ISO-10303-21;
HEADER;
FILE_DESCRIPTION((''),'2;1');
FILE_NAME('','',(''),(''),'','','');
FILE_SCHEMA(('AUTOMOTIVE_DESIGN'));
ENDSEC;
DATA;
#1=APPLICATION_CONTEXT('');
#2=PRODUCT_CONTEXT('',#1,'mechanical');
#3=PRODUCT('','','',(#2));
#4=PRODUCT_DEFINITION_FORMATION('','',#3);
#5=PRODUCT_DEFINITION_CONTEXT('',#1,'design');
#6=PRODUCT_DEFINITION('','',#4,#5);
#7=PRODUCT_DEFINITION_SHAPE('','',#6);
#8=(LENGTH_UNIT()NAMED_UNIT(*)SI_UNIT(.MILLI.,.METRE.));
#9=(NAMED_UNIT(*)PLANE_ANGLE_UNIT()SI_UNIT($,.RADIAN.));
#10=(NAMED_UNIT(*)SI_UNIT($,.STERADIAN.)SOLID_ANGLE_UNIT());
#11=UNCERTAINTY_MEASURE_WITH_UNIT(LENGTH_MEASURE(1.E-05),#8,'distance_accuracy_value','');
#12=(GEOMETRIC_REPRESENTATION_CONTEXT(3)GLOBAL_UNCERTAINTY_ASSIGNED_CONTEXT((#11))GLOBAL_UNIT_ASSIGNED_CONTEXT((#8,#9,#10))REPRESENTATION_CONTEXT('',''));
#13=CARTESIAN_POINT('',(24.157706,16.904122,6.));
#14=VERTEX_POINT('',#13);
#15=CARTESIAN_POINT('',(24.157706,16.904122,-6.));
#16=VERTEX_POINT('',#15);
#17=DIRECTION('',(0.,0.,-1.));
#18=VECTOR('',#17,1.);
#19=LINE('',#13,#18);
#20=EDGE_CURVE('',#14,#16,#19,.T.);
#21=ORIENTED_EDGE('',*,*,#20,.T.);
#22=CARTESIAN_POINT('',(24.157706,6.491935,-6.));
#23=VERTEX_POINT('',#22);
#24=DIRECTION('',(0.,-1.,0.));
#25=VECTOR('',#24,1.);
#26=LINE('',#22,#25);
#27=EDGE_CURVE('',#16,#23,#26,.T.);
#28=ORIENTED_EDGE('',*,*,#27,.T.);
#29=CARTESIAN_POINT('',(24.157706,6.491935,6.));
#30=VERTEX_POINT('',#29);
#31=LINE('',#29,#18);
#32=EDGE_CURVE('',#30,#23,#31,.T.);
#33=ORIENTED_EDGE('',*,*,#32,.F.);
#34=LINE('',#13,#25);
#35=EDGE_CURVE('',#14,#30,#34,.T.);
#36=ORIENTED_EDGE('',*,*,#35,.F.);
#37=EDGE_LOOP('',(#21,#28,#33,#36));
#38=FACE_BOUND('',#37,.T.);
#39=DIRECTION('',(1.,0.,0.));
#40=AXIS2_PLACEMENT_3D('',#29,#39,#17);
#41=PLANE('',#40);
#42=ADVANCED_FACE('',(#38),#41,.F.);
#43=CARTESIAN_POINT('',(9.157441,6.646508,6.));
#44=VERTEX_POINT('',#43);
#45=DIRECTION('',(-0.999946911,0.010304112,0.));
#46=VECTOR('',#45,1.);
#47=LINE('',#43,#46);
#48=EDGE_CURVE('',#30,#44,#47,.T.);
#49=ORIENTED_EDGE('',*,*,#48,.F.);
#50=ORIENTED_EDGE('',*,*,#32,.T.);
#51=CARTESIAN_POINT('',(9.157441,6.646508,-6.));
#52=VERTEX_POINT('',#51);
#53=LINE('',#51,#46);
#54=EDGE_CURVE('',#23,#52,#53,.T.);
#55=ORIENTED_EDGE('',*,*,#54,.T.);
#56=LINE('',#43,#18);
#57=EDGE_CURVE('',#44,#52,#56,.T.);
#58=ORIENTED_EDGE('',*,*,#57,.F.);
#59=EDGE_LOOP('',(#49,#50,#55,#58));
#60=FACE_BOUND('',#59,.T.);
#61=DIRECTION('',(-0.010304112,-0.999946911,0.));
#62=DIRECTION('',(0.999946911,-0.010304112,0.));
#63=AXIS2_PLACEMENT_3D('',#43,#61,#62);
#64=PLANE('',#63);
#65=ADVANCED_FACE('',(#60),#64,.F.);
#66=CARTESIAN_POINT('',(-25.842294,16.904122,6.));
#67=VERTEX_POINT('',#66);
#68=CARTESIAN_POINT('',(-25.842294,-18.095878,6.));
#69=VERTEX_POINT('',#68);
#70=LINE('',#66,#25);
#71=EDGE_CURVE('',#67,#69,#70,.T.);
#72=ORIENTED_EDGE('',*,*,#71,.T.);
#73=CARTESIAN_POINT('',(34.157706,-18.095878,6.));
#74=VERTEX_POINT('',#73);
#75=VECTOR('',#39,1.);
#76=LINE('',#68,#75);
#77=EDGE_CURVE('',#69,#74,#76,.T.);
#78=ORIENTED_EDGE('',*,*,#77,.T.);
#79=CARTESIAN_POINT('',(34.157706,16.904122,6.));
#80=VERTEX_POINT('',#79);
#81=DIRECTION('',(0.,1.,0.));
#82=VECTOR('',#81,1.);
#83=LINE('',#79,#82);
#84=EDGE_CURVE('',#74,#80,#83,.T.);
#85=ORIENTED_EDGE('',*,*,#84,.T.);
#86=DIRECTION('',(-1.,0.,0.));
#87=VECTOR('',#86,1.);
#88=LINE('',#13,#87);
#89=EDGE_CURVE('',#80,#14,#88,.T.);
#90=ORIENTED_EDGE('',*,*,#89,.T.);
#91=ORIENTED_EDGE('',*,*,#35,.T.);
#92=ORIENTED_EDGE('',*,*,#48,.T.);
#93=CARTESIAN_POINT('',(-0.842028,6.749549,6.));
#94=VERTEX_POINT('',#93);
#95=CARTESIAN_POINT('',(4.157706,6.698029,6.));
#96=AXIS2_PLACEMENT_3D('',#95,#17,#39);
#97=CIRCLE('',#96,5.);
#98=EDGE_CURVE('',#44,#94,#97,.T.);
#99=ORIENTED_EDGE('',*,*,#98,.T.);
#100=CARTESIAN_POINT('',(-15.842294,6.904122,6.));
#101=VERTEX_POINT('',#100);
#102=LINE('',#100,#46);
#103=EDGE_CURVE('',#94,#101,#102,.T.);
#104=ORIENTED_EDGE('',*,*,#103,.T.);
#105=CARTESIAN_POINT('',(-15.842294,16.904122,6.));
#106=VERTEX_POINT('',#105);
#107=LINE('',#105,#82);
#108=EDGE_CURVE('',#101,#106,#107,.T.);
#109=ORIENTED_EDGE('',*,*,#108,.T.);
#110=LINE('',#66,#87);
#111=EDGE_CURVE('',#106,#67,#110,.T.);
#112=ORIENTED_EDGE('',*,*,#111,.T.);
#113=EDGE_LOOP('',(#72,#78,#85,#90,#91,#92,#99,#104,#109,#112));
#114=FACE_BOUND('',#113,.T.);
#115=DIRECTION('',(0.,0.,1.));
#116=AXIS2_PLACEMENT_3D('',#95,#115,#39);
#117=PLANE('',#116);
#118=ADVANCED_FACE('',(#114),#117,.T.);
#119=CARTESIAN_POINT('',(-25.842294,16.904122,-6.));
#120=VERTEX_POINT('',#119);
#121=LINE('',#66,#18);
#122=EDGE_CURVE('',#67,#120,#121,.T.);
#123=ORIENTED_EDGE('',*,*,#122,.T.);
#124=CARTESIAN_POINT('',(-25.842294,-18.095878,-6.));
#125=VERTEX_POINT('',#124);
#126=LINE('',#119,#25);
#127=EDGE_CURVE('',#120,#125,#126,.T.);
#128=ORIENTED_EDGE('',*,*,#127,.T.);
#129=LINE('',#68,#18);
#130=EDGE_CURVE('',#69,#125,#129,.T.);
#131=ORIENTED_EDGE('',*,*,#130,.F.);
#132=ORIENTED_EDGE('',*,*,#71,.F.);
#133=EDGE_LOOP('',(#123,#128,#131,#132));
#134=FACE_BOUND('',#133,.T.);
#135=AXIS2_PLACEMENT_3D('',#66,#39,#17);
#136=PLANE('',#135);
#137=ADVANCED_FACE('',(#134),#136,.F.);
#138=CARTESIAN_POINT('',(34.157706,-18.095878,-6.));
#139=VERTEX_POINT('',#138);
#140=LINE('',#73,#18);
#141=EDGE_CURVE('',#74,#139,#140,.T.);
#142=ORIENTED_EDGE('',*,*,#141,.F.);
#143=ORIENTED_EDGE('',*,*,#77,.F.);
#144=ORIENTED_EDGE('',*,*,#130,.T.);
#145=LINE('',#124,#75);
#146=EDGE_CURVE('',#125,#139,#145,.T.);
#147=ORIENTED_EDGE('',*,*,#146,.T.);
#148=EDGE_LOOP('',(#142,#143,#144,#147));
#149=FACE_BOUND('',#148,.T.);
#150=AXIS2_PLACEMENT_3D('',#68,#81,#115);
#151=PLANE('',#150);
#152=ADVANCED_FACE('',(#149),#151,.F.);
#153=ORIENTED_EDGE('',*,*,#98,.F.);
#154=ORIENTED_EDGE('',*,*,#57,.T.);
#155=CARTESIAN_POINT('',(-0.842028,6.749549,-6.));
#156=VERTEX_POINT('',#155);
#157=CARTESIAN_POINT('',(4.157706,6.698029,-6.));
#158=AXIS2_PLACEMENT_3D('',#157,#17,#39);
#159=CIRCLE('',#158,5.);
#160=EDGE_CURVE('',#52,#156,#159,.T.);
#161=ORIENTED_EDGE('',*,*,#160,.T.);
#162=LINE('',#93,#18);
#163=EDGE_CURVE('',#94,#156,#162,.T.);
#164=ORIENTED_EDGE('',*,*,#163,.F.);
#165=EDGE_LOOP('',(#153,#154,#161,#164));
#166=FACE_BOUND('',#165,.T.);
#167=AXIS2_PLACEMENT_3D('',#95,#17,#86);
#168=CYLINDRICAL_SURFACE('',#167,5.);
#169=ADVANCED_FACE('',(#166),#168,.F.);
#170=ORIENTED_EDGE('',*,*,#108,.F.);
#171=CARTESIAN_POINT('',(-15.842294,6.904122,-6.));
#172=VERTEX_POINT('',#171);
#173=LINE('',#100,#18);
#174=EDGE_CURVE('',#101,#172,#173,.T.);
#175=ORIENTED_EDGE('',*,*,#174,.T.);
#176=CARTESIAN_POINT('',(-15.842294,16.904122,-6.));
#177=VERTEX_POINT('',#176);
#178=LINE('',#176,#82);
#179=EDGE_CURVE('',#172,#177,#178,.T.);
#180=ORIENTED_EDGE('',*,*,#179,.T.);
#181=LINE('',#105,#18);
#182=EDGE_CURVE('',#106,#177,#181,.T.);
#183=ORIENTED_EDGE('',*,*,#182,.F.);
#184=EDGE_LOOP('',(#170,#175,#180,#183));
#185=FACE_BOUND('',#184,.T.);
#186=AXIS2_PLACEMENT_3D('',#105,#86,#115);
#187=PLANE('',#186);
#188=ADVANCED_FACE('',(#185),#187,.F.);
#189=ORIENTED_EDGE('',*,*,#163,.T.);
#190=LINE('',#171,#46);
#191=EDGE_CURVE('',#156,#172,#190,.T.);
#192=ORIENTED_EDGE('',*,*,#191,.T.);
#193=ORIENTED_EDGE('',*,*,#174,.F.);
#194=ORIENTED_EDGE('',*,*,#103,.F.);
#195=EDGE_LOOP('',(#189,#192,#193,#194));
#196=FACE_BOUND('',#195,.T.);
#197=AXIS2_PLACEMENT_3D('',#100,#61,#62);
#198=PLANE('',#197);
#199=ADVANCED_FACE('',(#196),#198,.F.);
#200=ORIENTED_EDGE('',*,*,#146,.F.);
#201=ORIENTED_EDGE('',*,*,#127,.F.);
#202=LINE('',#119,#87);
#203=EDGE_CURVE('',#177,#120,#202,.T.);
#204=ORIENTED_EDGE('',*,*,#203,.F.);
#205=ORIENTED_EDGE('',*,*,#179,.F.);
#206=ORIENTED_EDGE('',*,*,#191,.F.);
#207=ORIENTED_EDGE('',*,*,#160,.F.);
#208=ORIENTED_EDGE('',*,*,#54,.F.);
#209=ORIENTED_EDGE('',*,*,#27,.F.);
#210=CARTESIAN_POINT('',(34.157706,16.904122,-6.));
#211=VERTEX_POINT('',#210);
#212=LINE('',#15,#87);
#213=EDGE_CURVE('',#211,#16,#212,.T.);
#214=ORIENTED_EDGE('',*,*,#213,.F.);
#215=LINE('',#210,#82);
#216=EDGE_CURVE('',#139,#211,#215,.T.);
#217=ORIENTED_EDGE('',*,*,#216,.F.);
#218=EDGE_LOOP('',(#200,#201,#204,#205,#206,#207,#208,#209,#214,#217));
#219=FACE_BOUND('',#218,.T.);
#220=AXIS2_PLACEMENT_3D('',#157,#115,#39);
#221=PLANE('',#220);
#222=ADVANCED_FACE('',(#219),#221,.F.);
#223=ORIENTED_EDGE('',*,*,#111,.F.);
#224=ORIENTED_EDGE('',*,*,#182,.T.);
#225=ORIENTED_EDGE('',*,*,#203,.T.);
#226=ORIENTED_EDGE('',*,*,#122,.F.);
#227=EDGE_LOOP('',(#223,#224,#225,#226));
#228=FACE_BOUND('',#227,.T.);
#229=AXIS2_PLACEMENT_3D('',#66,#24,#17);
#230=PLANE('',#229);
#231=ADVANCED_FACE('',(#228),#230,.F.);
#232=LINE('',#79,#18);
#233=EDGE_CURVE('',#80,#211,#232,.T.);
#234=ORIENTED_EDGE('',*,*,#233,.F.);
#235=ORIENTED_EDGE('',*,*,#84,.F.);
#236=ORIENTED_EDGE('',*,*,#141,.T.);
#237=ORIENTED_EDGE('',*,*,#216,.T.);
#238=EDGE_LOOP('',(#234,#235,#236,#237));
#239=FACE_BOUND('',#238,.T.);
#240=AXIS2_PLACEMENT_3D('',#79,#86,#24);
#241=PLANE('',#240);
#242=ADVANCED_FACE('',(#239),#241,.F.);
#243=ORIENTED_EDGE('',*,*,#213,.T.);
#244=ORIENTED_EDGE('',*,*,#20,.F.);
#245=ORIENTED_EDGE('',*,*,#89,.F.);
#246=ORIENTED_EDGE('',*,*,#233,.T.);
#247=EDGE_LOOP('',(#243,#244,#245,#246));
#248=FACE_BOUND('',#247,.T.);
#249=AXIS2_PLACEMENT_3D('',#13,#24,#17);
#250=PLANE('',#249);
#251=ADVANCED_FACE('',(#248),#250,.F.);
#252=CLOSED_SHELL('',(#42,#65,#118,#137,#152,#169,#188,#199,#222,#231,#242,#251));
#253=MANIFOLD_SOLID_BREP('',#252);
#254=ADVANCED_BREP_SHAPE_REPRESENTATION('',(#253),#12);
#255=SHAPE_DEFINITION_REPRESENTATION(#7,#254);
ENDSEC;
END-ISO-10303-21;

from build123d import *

# Parameters (mm, degrees)
BOSS_EXTRUDE1_DEPTH = 6


with BuildPart() as part:
    # Sketch1 → Boss-Extrude1 (new, symmetric)
    with BuildSketch(Plane.XY):
        with BuildLine():
            Line((24.157706093, 16.904121864), (34.157706093, 16.904121864))
            Line((34.157706093, 16.904121864), (34.157706093, -18.095878136))
            Line((34.157706093, -18.095878136), (-25.842293907, -18.095878136))
            Line((-25.842293907, -18.095878136), (-25.842293907, 16.904121864))
            Line((-25.842293907, 16.904121864), (-15.842293907, 16.904121864))
            Line((-15.842293907, 16.904121864), (-15.842293907, 6.904121864))
            Line((-15.842293907, 6.904121864), (-0.842028463, 6.749549236))
            ThreePointArc((-0.842028463, 6.749549236), (4.106185531, 1.698294118), (9.157440649, 6.646508112))
            Line((9.157440649, 6.646508112), (24.157706093, 6.491935484))
            Line((24.157706093, 6.491935484), (24.157706093, 11.07078853))
            Line((24.157706093, 11.07078853), (24.157706093, 16.904121864))
        make_face()
    extrude(amount=BOSS_EXTRUDE1_DEPTH, both=True)


solid = part.part
